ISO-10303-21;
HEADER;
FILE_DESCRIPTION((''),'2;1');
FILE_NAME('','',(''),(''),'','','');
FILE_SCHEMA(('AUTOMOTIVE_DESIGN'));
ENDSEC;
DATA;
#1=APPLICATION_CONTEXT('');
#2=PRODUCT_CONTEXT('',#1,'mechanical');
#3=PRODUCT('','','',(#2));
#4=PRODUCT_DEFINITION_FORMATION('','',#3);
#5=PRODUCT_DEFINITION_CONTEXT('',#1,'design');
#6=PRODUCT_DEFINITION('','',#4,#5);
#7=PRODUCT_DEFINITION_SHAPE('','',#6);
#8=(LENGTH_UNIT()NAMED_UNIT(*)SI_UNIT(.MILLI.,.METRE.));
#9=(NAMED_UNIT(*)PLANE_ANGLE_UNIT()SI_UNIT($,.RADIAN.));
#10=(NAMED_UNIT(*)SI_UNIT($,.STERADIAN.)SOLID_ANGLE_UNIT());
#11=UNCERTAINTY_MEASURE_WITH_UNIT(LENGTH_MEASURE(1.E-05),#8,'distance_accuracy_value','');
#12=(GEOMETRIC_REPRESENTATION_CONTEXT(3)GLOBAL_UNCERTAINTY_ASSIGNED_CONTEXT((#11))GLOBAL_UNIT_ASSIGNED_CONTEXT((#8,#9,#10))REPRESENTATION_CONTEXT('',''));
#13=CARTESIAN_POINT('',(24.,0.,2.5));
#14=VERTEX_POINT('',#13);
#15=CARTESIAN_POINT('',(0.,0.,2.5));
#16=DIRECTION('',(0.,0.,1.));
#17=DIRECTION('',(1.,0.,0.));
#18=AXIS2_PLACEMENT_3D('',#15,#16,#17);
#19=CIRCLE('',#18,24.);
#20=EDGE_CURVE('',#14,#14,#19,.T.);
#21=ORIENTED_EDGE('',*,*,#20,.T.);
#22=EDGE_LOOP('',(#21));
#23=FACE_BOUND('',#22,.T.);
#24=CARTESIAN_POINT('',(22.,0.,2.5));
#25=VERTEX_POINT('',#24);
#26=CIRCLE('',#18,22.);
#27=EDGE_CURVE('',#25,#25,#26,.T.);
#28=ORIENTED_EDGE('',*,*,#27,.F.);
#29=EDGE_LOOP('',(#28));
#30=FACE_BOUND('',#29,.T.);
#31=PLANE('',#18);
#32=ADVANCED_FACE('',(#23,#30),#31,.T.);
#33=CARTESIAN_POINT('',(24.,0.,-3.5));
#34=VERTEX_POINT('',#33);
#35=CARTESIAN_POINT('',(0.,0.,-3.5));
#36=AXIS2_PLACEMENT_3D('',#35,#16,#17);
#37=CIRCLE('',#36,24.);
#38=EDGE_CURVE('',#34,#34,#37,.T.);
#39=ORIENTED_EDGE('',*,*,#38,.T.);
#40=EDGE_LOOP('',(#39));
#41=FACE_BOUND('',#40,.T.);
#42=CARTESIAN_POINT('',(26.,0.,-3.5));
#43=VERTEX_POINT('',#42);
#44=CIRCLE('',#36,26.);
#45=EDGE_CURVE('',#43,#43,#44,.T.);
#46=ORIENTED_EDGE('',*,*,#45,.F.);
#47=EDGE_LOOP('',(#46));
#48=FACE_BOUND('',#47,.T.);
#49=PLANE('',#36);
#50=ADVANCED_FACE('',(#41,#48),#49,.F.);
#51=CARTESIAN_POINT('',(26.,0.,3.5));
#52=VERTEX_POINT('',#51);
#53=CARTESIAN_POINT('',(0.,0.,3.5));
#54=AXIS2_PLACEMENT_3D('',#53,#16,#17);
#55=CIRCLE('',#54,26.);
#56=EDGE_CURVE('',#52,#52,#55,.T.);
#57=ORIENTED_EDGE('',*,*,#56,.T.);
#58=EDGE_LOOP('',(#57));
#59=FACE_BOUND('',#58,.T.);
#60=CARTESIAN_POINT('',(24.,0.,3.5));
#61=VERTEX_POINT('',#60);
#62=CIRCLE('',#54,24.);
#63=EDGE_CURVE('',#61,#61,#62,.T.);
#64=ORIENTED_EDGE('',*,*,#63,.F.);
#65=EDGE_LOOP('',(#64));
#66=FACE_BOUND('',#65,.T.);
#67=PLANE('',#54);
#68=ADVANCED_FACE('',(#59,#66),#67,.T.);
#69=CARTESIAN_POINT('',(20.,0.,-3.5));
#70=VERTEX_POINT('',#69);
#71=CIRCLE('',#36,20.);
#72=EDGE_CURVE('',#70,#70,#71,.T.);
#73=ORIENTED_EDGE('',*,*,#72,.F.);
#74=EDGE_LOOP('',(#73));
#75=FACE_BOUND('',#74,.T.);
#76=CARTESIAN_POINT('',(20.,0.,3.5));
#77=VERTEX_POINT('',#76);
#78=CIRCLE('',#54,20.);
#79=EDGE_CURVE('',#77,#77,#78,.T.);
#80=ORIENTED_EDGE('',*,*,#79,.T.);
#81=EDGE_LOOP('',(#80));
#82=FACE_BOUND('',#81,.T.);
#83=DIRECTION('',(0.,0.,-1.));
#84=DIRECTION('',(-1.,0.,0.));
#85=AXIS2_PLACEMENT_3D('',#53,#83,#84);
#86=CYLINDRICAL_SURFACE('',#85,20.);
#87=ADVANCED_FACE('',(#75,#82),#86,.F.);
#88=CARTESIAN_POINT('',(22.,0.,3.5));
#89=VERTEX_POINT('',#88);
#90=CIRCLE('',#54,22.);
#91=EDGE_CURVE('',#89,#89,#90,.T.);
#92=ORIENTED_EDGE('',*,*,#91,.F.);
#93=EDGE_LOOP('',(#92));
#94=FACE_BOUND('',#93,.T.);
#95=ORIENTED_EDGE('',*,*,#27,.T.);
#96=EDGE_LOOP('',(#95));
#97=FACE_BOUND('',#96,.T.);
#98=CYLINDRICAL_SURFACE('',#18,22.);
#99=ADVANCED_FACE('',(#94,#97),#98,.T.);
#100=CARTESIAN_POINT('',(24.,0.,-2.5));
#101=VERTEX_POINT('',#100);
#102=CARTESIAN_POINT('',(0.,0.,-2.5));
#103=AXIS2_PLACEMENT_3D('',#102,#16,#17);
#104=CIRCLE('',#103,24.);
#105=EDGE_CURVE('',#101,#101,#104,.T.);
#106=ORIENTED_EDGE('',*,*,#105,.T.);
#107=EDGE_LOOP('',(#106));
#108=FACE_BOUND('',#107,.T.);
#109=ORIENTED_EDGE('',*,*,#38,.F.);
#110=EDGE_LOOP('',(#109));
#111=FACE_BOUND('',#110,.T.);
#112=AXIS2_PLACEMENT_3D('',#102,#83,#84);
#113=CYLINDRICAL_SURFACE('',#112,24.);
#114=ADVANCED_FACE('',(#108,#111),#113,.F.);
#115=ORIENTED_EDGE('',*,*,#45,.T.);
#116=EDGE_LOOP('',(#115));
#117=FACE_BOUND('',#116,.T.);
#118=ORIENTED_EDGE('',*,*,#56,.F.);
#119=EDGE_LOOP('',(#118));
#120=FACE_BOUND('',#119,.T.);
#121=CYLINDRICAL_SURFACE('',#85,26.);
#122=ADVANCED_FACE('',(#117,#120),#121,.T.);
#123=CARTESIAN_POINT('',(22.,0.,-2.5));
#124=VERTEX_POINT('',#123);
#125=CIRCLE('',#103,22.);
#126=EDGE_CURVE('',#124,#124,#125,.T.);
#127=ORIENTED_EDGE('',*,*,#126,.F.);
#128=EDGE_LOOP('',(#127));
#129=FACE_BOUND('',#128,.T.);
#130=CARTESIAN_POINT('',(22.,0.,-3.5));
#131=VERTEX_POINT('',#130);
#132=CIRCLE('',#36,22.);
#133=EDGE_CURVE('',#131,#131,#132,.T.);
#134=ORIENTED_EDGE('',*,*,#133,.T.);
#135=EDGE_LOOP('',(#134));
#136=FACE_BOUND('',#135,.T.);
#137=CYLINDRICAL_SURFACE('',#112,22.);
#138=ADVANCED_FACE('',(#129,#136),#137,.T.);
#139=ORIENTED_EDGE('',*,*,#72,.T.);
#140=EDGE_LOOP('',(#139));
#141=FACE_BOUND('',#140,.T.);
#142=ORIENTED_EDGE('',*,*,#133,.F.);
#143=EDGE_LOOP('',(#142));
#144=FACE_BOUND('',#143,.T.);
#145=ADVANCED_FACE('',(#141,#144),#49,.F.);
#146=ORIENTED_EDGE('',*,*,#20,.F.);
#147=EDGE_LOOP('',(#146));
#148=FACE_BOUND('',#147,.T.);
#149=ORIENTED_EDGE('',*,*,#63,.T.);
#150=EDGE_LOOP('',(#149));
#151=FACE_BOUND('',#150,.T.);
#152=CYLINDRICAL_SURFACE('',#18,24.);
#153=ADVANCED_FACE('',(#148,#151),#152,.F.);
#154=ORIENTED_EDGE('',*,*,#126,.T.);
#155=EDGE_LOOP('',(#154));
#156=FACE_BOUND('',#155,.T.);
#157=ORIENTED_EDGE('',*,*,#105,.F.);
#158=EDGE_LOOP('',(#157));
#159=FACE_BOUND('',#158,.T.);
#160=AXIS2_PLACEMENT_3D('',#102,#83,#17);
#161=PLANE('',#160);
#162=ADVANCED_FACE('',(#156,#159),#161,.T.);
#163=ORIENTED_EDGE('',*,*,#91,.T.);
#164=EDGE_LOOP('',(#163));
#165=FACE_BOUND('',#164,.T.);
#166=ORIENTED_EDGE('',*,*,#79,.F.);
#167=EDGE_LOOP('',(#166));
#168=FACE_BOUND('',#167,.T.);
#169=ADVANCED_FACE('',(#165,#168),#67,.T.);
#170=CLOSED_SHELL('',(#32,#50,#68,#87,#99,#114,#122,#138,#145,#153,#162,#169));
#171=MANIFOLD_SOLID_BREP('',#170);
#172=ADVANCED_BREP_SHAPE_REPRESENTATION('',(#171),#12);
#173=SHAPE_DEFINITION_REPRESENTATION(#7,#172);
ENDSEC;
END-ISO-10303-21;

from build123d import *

# Parameters (mm, degrees)
EXTRUDE_1_DEPTH      = 3.5
EXTRUDE_1_DEPTH_BACK = 3.5
SKETCH_1_R           = 26
SKETCH_1_R_2         = 20
SKETCH_2_R           = 24
SKETCH_2_R_2         = 22
CUT_EXTRUDE_1_DEPTH  = 1


with BuildPart() as part:
    # 草图1 → 拉伸1 (new, two sides: drawn at the far end of the back side and taken through both)
    with BuildSketch(Plane.XY.offset(-EXTRUDE_1_DEPTH_BACK)):
        Circle(SKETCH_1_R)
        Circle(SKETCH_1_R_2, mode=Mode.SUBTRACT)
    extrude(amount=EXTRUDE_1_DEPTH + EXTRUDE_1_DEPTH_BACK)

    # 草图2 → 切除-拉伸1 (cut)
    with BuildSketch(Plane.XY.offset(3.5)):
        Circle(SKETCH_2_R)
        Circle(SKETCH_2_R_2, mode=Mode.SUBTRACT)
    cut_extrude_1 = extrude(amount=-CUT_EXTRUDE_1_DEPTH, mode=Mode.SUBTRACT)

    # 镜向1: 切除-拉伸1 across plane
    add(cut_extrude_1.mirror(Plane.XY), mode=Mode.SUBTRACT)


solid = part.part
